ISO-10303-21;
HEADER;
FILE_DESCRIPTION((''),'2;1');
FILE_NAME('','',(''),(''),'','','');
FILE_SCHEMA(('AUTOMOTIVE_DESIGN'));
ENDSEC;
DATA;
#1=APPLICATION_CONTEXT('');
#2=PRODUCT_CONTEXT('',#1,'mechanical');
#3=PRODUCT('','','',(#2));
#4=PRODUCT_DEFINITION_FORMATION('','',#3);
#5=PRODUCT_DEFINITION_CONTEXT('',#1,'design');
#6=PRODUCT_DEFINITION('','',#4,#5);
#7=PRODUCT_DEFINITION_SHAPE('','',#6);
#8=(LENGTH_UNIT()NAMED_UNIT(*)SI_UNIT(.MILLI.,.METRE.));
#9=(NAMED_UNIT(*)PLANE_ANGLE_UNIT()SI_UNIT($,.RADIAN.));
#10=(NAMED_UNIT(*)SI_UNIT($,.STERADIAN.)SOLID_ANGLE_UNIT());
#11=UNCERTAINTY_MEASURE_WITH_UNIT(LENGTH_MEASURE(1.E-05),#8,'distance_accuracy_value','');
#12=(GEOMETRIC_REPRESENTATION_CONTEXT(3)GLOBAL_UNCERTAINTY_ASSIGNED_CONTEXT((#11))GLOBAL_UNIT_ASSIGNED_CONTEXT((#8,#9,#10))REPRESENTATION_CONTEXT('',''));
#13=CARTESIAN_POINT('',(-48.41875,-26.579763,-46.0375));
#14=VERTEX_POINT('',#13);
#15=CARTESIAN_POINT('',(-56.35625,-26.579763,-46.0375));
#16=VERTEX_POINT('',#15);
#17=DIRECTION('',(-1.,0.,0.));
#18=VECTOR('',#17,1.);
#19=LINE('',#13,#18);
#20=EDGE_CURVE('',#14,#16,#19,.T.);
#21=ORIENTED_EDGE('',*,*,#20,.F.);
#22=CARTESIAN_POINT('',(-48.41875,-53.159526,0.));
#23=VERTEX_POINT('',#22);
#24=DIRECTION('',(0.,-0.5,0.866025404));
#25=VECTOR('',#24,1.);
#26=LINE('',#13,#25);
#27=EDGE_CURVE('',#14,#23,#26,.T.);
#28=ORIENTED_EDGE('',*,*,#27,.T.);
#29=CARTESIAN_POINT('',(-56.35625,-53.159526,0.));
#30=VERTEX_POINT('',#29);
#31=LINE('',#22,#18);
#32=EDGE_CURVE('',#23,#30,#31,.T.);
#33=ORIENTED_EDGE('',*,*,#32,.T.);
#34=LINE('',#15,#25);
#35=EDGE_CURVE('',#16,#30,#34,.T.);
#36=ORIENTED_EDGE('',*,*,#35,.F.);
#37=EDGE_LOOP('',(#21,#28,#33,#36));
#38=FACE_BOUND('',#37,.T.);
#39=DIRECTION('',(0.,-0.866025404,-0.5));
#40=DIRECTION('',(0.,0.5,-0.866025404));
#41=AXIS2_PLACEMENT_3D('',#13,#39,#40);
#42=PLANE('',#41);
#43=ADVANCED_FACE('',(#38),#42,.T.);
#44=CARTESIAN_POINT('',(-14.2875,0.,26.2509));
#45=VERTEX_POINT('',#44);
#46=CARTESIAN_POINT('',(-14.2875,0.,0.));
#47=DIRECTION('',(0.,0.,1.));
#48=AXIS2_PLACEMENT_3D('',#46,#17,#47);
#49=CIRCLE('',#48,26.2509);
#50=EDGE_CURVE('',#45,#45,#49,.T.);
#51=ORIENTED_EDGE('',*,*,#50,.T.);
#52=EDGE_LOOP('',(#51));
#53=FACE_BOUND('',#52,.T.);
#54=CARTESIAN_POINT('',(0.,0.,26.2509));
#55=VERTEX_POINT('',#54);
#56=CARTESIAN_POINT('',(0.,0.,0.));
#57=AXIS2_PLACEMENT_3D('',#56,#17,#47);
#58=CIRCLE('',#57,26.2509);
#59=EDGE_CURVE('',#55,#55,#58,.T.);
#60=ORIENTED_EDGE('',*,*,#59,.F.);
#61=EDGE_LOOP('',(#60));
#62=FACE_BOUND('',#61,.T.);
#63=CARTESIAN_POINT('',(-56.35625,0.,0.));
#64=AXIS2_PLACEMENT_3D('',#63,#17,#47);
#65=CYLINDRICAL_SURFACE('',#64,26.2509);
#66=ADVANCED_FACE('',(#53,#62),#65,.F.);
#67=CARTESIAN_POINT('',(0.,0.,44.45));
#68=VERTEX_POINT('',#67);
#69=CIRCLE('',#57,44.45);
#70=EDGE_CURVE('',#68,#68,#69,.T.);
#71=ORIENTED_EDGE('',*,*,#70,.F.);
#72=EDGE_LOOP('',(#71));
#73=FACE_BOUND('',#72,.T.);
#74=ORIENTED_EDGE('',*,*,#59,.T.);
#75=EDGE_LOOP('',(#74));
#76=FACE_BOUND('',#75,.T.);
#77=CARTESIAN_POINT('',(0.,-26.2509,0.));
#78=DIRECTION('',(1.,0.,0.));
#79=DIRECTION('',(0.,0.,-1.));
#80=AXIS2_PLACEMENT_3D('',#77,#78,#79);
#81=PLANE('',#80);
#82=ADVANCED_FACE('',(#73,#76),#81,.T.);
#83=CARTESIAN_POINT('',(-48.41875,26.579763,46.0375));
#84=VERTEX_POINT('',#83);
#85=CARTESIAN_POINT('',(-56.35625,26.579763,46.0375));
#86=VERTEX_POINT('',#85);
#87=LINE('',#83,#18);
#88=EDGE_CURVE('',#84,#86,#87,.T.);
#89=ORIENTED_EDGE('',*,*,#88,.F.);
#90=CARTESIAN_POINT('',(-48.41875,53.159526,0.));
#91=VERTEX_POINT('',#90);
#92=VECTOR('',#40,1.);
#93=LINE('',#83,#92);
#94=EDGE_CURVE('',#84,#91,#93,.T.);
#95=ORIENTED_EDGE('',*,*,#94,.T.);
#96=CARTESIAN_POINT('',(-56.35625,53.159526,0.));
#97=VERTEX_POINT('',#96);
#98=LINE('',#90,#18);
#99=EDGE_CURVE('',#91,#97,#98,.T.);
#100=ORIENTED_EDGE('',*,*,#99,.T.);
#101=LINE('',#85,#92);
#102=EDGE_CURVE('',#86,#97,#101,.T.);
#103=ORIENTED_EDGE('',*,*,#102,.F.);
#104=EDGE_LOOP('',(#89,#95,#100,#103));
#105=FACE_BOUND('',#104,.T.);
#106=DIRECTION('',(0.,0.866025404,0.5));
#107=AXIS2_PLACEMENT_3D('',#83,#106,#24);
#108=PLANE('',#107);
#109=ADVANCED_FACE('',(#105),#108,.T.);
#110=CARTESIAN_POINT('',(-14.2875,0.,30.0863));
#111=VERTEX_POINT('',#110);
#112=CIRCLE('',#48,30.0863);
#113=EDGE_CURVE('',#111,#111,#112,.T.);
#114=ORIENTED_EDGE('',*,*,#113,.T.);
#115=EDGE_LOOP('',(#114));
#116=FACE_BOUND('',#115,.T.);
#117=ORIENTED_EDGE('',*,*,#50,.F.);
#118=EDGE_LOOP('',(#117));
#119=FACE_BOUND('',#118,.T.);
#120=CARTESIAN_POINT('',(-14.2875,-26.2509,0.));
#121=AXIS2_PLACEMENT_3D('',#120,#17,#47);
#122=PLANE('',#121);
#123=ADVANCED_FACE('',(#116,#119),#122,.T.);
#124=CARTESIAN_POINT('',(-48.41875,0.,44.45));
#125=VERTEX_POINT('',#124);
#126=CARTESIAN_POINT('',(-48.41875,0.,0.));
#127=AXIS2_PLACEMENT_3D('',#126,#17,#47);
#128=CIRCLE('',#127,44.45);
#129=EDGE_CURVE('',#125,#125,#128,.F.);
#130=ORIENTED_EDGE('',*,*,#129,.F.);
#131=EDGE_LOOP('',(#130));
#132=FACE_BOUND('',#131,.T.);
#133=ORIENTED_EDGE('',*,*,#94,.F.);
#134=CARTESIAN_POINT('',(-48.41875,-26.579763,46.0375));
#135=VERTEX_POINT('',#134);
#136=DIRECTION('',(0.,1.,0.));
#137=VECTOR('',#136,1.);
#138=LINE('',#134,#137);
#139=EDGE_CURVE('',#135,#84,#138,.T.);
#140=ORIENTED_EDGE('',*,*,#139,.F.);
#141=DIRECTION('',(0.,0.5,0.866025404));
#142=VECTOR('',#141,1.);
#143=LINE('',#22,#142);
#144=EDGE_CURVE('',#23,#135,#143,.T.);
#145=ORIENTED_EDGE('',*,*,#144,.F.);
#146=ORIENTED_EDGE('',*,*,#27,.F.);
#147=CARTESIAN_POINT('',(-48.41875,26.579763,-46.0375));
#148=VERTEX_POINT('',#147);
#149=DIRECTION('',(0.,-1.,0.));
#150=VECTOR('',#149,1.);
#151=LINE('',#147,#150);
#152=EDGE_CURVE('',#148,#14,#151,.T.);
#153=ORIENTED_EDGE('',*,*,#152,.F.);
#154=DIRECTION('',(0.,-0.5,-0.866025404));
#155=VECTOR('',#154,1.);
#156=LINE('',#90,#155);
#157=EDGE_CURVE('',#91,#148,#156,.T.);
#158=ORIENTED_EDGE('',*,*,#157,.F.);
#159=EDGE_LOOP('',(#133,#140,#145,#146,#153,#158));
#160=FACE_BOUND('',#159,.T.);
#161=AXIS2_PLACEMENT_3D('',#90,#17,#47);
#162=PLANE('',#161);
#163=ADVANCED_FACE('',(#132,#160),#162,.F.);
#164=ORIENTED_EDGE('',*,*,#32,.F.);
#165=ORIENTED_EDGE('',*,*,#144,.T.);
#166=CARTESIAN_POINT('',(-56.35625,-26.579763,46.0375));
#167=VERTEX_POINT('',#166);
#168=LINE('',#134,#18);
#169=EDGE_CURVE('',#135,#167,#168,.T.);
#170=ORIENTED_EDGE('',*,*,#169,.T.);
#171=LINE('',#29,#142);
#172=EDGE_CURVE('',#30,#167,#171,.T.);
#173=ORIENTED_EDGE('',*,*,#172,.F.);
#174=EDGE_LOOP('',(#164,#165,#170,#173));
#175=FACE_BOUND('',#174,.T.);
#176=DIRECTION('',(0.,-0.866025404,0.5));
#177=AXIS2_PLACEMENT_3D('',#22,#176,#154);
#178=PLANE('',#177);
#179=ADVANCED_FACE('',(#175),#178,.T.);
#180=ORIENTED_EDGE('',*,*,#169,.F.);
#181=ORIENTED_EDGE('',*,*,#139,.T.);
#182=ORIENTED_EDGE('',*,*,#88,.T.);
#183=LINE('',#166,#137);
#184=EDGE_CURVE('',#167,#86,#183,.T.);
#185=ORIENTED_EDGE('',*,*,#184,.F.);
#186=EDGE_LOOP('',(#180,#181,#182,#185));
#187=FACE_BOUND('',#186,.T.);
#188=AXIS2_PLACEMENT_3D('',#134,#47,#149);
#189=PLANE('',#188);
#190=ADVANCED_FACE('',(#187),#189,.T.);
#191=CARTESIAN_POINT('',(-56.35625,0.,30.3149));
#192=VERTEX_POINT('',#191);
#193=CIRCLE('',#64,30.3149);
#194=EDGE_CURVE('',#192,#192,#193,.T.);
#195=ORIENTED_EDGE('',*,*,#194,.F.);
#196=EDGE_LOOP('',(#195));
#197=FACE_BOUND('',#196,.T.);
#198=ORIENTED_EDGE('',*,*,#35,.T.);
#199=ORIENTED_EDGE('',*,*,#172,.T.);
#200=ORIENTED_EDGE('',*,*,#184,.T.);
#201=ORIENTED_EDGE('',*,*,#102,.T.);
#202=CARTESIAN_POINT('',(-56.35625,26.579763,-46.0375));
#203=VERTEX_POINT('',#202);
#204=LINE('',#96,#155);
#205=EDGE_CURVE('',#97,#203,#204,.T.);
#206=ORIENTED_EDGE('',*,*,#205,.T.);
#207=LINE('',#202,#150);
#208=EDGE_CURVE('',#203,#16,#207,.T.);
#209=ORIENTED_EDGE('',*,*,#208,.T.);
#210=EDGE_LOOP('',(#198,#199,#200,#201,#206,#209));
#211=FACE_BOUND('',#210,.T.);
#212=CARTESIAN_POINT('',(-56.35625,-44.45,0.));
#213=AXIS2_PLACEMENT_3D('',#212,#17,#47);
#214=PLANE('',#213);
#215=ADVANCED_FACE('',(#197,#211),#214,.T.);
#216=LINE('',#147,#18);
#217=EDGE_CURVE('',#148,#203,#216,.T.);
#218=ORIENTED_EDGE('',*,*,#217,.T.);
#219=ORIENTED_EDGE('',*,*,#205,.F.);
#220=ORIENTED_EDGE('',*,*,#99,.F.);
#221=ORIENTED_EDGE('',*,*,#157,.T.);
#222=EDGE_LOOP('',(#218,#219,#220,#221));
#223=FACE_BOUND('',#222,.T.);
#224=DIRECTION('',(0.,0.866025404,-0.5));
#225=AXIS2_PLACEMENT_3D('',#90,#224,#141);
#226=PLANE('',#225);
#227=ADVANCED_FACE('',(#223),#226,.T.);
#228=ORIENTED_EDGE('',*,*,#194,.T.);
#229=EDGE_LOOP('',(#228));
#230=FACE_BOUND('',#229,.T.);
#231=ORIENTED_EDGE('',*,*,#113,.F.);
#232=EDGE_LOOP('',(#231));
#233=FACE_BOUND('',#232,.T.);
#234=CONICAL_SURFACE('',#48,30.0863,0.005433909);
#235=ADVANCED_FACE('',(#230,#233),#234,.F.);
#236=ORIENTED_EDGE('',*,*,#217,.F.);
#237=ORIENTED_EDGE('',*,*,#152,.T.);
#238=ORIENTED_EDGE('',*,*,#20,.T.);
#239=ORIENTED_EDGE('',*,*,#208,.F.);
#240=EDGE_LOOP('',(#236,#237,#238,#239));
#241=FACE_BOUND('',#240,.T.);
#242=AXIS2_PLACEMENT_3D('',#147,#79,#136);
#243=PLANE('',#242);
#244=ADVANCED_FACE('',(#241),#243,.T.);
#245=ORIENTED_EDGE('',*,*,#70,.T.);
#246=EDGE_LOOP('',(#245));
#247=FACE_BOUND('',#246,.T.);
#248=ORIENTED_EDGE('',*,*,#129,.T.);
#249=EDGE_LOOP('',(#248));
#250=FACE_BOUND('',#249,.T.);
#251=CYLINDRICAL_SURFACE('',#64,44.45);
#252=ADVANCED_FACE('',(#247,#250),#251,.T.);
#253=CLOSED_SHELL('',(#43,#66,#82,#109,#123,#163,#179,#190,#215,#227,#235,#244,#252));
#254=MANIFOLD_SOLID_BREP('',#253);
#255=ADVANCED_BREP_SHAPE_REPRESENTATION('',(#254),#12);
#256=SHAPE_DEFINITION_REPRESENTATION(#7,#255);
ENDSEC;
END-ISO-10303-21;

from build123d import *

# Parameters (mm, degrees)
SKETCH2_R           = 30.3149
BOSS_EXTRUDE1_DEPTH = 7.9375


with BuildPart() as part:
    # Sketch1 → Revolve1 (revolve)
    with BuildSketch(Plane.XY):
        Polygon((-56.35625, -44.45), (0, -44.45), (0, -26.2509), (-14.2875, -26.2509), (-14.2875, -30.0863), (-56.35625, -30.3149), align=None)
    revolve(axis=Axis((-56.35625, 0, 0), (1, 0, 0)))

    # Sketch2 → Boss-Extrude1 (add)
    with BuildSketch(Plane.ZY.offset(56.35625)):
        Polygon((0, 53.159526036), (-46.0375, 26.579763018), (-46.0375, -26.579763018), (0, -53.159526036), (46.0375, -26.579763018), (46.0375, 26.579763018), align=None)
        Circle(SKETCH2_R, mode=Mode.SUBTRACT)
    extrude(amount=-BOSS_EXTRUDE1_DEPTH)


solid = part.part
